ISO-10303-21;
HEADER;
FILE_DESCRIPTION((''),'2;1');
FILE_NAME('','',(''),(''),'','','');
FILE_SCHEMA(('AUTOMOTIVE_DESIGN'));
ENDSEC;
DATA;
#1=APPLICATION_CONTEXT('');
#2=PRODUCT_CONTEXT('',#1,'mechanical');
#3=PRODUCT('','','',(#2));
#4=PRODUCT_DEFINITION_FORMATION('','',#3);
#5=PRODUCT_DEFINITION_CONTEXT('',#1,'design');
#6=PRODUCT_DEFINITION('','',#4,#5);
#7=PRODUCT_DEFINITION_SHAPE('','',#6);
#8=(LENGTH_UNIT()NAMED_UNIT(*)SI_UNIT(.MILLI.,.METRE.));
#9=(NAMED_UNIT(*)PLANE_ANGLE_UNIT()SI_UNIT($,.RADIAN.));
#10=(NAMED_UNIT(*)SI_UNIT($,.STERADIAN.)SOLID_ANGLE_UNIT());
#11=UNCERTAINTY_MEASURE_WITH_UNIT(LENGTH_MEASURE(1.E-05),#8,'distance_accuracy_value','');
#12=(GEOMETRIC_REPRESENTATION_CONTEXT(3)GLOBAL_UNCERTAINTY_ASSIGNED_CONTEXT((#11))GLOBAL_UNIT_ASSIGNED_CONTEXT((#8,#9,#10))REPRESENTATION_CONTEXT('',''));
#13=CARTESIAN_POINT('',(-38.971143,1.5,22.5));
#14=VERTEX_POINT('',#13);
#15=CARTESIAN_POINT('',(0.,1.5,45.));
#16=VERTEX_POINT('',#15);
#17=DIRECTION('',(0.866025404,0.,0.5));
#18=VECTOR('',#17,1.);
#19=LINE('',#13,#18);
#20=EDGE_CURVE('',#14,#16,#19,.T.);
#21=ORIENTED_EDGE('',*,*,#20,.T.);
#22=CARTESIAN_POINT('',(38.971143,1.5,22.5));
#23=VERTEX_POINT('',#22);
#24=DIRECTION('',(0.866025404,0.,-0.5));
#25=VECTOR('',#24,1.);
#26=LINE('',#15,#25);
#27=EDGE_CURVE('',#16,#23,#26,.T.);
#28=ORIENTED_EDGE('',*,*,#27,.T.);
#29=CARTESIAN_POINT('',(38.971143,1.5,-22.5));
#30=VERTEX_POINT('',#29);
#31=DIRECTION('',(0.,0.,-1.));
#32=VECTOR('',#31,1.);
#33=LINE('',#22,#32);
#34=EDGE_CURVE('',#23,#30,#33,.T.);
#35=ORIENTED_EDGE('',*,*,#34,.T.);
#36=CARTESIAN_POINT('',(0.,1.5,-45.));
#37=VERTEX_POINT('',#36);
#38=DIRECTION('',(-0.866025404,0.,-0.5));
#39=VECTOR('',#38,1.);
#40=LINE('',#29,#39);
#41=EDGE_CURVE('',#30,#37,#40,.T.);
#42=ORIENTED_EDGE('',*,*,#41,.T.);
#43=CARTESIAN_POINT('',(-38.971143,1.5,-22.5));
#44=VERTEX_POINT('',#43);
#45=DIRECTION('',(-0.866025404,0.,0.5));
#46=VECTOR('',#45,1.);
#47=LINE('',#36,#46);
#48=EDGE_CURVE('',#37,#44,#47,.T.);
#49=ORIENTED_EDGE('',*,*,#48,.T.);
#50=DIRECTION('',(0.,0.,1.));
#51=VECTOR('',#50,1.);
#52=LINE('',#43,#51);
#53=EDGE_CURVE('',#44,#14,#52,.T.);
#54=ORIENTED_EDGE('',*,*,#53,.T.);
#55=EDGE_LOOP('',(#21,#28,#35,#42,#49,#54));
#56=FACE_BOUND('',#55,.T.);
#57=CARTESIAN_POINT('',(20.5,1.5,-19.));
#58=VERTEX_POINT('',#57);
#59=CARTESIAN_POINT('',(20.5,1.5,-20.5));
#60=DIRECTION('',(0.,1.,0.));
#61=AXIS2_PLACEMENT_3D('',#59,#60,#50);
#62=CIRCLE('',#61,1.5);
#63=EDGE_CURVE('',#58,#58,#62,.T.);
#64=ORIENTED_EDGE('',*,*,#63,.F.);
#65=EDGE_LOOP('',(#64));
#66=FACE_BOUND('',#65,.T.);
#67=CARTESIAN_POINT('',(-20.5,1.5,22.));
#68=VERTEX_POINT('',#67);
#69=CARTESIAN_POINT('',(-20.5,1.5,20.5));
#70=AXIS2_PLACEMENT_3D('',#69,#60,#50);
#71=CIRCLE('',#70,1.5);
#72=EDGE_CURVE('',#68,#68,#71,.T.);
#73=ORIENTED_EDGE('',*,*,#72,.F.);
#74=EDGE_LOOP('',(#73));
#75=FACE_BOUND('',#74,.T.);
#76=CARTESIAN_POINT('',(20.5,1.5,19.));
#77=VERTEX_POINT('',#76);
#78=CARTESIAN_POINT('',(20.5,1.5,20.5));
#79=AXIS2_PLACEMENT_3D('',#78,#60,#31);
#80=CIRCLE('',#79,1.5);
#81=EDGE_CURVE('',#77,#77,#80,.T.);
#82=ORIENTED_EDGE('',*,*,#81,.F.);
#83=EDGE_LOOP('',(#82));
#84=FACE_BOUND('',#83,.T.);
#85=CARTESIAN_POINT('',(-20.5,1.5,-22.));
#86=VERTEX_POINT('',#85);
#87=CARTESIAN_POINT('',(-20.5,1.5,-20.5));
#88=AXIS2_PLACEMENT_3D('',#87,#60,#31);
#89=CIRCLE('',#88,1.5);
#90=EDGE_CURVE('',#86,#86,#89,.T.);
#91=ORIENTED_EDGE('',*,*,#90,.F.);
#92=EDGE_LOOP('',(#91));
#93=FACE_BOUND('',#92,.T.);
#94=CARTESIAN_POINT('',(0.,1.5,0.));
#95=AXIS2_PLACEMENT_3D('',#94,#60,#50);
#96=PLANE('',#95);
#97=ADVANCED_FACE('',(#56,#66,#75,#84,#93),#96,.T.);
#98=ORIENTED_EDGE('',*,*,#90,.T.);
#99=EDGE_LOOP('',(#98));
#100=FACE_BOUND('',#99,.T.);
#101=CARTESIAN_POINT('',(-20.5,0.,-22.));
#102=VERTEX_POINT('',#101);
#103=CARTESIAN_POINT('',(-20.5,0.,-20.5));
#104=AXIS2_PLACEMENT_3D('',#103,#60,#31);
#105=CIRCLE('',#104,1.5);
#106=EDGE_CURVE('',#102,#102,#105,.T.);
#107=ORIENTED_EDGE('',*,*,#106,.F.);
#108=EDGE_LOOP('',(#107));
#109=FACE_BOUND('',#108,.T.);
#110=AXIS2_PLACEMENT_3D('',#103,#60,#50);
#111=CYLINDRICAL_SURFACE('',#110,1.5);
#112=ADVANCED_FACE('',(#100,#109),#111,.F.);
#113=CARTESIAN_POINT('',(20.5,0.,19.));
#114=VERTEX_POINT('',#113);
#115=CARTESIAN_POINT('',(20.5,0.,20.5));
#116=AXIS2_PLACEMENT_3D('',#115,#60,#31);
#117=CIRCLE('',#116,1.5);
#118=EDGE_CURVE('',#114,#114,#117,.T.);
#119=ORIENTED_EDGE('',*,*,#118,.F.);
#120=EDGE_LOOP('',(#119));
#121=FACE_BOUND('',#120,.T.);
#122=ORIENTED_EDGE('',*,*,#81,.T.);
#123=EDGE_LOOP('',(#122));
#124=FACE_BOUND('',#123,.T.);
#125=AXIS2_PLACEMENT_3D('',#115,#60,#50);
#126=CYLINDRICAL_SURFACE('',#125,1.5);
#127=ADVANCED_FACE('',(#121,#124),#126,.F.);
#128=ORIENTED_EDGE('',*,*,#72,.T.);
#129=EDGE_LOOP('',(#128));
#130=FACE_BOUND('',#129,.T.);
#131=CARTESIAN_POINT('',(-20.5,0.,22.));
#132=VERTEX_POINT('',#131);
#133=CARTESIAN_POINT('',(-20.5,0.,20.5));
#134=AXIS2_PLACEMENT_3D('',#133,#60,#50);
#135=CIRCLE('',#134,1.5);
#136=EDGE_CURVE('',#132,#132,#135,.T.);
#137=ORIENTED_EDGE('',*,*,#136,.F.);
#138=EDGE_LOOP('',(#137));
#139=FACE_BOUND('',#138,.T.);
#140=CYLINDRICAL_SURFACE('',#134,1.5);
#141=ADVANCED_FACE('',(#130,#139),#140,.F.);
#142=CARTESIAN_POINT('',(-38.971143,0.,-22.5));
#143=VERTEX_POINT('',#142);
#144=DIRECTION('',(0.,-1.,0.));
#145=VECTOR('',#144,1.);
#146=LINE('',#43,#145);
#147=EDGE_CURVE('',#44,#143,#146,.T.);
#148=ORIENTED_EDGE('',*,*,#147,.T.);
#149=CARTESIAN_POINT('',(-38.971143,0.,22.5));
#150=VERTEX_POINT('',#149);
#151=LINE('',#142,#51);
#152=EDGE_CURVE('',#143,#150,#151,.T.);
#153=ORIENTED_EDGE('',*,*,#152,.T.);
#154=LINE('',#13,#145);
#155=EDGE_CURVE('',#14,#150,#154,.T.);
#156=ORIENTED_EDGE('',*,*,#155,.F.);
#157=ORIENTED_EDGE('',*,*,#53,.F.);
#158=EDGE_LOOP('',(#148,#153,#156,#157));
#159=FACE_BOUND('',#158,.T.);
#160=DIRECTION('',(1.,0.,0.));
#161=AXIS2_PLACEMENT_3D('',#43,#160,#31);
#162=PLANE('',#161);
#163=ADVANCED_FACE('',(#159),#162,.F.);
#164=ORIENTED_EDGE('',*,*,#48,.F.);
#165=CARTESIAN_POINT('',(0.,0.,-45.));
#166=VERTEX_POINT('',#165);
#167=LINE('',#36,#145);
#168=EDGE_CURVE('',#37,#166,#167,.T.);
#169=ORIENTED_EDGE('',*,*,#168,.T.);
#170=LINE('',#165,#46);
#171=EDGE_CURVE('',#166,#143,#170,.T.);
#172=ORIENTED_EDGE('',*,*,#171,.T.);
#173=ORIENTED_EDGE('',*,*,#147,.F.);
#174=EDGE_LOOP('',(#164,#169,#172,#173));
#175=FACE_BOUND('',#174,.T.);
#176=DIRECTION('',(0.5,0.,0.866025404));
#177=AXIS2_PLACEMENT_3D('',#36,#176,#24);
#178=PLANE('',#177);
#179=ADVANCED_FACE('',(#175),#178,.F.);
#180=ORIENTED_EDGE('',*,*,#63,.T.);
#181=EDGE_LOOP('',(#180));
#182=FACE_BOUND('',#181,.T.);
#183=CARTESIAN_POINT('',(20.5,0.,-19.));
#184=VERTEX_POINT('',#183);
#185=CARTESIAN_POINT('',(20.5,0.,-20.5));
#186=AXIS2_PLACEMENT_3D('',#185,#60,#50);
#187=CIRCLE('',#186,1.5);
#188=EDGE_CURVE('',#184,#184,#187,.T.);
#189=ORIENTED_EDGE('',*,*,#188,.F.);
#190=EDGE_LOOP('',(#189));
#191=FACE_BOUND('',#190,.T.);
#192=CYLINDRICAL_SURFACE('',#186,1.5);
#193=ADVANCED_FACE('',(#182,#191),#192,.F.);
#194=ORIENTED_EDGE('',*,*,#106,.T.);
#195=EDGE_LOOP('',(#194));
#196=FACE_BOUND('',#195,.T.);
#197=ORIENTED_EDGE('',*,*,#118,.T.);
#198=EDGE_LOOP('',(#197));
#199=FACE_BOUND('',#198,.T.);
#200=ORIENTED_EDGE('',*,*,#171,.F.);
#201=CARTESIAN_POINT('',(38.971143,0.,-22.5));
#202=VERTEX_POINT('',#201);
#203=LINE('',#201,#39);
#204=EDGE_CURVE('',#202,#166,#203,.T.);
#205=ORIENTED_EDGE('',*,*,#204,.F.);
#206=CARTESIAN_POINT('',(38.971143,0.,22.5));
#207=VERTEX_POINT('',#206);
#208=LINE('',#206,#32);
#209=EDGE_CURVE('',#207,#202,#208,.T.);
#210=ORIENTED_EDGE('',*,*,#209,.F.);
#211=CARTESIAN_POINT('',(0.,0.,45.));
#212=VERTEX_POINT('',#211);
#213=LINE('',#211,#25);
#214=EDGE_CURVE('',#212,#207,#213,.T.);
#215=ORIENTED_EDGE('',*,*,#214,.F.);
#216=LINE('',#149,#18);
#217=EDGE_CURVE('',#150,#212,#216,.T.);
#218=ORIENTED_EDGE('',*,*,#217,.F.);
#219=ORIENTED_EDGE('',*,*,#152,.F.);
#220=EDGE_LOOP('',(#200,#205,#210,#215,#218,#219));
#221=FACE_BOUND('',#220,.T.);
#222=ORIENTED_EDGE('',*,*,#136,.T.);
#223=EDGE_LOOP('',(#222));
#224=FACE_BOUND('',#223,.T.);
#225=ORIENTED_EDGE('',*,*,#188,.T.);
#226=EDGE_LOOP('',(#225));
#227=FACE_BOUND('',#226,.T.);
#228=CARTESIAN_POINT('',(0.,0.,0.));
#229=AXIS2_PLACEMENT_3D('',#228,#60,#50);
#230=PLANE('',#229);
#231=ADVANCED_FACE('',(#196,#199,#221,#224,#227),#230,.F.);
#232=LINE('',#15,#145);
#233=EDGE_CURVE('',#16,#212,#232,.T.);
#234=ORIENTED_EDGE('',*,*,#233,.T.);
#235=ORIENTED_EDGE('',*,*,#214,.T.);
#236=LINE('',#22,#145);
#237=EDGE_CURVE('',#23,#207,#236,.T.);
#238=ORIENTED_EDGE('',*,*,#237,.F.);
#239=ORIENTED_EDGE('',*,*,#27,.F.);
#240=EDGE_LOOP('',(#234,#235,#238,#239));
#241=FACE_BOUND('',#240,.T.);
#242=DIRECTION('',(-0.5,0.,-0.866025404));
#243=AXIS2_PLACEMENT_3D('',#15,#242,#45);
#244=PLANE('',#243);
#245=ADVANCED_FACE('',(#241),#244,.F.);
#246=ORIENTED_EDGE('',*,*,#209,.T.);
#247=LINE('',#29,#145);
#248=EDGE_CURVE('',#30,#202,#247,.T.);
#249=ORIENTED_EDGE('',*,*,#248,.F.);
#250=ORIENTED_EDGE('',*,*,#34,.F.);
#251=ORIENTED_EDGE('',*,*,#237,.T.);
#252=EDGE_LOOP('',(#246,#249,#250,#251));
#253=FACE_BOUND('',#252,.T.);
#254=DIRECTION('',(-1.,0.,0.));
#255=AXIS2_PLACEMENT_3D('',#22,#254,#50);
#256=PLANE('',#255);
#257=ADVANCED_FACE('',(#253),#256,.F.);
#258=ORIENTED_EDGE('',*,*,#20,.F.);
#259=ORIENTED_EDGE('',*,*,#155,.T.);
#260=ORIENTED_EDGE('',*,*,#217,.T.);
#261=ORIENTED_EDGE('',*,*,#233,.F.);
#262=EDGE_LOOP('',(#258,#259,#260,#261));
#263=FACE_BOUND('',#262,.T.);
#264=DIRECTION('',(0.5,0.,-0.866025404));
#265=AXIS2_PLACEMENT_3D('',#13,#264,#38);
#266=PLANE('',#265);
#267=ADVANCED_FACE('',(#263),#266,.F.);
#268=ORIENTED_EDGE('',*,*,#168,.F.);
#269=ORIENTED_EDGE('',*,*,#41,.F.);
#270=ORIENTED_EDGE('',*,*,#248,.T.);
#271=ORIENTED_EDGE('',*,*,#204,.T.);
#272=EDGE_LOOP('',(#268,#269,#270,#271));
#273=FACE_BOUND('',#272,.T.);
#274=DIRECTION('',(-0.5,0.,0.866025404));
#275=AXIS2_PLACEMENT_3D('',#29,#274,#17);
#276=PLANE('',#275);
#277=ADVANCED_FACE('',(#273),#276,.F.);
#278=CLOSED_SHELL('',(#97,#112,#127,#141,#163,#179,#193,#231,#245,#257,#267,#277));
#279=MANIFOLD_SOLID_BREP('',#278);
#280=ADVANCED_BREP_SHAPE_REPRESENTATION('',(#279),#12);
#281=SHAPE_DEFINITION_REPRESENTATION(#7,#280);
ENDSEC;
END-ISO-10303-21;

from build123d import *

# Parameters (mm, degrees)
BOSS_EXTRUDE1_DEPTH = 1.5
SKETCH2_R           = 1.5
CUT_EXTRUDE1_DEPTH  = 1.5


with BuildPart() as part:
    # Sketch1 → Boss-Extrude1 (new body)
    with BuildSketch(Plane(origin=(0, 0, 0), x_dir=(1, 0, 0), z_dir=(0, 1, 0))):
        Polygon((0, -45), (38.97114317, -22.5), (38.97114317, 22.5), (0, 45), (-38.97114317, 22.5), (-38.97114317, -22.5), align=None)
    extrude(amount=BOSS_EXTRUDE1_DEPTH)

    # Sketch2 → Cut-Extrude1 (cut)
    with BuildSketch(Plane(origin=(0, 1.5, 0), x_dir=(1, 0, 0), z_dir=(0, 1, 0))):
        with Locations(Location((20.5, 20.5, 0), (0, 0, 270))):
            Circle(SKETCH2_R)
        with Locations(Location((20.5, -20.5, 0), (0, 0, 90))):
            Circle(SKETCH2_R)
        with Locations(Location((-20.5, -20.5, 0), (0, 0, 270))):
            Circle(SKETCH2_R)
        with Locations(Location((-20.5, 20.5, 0), (0, 0, 90))):
            Circle(SKETCH2_R)
    extrude(amount=-CUT_EXTRUDE1_DEPTH, mode=Mode.SUBTRACT)


solid = part.part
